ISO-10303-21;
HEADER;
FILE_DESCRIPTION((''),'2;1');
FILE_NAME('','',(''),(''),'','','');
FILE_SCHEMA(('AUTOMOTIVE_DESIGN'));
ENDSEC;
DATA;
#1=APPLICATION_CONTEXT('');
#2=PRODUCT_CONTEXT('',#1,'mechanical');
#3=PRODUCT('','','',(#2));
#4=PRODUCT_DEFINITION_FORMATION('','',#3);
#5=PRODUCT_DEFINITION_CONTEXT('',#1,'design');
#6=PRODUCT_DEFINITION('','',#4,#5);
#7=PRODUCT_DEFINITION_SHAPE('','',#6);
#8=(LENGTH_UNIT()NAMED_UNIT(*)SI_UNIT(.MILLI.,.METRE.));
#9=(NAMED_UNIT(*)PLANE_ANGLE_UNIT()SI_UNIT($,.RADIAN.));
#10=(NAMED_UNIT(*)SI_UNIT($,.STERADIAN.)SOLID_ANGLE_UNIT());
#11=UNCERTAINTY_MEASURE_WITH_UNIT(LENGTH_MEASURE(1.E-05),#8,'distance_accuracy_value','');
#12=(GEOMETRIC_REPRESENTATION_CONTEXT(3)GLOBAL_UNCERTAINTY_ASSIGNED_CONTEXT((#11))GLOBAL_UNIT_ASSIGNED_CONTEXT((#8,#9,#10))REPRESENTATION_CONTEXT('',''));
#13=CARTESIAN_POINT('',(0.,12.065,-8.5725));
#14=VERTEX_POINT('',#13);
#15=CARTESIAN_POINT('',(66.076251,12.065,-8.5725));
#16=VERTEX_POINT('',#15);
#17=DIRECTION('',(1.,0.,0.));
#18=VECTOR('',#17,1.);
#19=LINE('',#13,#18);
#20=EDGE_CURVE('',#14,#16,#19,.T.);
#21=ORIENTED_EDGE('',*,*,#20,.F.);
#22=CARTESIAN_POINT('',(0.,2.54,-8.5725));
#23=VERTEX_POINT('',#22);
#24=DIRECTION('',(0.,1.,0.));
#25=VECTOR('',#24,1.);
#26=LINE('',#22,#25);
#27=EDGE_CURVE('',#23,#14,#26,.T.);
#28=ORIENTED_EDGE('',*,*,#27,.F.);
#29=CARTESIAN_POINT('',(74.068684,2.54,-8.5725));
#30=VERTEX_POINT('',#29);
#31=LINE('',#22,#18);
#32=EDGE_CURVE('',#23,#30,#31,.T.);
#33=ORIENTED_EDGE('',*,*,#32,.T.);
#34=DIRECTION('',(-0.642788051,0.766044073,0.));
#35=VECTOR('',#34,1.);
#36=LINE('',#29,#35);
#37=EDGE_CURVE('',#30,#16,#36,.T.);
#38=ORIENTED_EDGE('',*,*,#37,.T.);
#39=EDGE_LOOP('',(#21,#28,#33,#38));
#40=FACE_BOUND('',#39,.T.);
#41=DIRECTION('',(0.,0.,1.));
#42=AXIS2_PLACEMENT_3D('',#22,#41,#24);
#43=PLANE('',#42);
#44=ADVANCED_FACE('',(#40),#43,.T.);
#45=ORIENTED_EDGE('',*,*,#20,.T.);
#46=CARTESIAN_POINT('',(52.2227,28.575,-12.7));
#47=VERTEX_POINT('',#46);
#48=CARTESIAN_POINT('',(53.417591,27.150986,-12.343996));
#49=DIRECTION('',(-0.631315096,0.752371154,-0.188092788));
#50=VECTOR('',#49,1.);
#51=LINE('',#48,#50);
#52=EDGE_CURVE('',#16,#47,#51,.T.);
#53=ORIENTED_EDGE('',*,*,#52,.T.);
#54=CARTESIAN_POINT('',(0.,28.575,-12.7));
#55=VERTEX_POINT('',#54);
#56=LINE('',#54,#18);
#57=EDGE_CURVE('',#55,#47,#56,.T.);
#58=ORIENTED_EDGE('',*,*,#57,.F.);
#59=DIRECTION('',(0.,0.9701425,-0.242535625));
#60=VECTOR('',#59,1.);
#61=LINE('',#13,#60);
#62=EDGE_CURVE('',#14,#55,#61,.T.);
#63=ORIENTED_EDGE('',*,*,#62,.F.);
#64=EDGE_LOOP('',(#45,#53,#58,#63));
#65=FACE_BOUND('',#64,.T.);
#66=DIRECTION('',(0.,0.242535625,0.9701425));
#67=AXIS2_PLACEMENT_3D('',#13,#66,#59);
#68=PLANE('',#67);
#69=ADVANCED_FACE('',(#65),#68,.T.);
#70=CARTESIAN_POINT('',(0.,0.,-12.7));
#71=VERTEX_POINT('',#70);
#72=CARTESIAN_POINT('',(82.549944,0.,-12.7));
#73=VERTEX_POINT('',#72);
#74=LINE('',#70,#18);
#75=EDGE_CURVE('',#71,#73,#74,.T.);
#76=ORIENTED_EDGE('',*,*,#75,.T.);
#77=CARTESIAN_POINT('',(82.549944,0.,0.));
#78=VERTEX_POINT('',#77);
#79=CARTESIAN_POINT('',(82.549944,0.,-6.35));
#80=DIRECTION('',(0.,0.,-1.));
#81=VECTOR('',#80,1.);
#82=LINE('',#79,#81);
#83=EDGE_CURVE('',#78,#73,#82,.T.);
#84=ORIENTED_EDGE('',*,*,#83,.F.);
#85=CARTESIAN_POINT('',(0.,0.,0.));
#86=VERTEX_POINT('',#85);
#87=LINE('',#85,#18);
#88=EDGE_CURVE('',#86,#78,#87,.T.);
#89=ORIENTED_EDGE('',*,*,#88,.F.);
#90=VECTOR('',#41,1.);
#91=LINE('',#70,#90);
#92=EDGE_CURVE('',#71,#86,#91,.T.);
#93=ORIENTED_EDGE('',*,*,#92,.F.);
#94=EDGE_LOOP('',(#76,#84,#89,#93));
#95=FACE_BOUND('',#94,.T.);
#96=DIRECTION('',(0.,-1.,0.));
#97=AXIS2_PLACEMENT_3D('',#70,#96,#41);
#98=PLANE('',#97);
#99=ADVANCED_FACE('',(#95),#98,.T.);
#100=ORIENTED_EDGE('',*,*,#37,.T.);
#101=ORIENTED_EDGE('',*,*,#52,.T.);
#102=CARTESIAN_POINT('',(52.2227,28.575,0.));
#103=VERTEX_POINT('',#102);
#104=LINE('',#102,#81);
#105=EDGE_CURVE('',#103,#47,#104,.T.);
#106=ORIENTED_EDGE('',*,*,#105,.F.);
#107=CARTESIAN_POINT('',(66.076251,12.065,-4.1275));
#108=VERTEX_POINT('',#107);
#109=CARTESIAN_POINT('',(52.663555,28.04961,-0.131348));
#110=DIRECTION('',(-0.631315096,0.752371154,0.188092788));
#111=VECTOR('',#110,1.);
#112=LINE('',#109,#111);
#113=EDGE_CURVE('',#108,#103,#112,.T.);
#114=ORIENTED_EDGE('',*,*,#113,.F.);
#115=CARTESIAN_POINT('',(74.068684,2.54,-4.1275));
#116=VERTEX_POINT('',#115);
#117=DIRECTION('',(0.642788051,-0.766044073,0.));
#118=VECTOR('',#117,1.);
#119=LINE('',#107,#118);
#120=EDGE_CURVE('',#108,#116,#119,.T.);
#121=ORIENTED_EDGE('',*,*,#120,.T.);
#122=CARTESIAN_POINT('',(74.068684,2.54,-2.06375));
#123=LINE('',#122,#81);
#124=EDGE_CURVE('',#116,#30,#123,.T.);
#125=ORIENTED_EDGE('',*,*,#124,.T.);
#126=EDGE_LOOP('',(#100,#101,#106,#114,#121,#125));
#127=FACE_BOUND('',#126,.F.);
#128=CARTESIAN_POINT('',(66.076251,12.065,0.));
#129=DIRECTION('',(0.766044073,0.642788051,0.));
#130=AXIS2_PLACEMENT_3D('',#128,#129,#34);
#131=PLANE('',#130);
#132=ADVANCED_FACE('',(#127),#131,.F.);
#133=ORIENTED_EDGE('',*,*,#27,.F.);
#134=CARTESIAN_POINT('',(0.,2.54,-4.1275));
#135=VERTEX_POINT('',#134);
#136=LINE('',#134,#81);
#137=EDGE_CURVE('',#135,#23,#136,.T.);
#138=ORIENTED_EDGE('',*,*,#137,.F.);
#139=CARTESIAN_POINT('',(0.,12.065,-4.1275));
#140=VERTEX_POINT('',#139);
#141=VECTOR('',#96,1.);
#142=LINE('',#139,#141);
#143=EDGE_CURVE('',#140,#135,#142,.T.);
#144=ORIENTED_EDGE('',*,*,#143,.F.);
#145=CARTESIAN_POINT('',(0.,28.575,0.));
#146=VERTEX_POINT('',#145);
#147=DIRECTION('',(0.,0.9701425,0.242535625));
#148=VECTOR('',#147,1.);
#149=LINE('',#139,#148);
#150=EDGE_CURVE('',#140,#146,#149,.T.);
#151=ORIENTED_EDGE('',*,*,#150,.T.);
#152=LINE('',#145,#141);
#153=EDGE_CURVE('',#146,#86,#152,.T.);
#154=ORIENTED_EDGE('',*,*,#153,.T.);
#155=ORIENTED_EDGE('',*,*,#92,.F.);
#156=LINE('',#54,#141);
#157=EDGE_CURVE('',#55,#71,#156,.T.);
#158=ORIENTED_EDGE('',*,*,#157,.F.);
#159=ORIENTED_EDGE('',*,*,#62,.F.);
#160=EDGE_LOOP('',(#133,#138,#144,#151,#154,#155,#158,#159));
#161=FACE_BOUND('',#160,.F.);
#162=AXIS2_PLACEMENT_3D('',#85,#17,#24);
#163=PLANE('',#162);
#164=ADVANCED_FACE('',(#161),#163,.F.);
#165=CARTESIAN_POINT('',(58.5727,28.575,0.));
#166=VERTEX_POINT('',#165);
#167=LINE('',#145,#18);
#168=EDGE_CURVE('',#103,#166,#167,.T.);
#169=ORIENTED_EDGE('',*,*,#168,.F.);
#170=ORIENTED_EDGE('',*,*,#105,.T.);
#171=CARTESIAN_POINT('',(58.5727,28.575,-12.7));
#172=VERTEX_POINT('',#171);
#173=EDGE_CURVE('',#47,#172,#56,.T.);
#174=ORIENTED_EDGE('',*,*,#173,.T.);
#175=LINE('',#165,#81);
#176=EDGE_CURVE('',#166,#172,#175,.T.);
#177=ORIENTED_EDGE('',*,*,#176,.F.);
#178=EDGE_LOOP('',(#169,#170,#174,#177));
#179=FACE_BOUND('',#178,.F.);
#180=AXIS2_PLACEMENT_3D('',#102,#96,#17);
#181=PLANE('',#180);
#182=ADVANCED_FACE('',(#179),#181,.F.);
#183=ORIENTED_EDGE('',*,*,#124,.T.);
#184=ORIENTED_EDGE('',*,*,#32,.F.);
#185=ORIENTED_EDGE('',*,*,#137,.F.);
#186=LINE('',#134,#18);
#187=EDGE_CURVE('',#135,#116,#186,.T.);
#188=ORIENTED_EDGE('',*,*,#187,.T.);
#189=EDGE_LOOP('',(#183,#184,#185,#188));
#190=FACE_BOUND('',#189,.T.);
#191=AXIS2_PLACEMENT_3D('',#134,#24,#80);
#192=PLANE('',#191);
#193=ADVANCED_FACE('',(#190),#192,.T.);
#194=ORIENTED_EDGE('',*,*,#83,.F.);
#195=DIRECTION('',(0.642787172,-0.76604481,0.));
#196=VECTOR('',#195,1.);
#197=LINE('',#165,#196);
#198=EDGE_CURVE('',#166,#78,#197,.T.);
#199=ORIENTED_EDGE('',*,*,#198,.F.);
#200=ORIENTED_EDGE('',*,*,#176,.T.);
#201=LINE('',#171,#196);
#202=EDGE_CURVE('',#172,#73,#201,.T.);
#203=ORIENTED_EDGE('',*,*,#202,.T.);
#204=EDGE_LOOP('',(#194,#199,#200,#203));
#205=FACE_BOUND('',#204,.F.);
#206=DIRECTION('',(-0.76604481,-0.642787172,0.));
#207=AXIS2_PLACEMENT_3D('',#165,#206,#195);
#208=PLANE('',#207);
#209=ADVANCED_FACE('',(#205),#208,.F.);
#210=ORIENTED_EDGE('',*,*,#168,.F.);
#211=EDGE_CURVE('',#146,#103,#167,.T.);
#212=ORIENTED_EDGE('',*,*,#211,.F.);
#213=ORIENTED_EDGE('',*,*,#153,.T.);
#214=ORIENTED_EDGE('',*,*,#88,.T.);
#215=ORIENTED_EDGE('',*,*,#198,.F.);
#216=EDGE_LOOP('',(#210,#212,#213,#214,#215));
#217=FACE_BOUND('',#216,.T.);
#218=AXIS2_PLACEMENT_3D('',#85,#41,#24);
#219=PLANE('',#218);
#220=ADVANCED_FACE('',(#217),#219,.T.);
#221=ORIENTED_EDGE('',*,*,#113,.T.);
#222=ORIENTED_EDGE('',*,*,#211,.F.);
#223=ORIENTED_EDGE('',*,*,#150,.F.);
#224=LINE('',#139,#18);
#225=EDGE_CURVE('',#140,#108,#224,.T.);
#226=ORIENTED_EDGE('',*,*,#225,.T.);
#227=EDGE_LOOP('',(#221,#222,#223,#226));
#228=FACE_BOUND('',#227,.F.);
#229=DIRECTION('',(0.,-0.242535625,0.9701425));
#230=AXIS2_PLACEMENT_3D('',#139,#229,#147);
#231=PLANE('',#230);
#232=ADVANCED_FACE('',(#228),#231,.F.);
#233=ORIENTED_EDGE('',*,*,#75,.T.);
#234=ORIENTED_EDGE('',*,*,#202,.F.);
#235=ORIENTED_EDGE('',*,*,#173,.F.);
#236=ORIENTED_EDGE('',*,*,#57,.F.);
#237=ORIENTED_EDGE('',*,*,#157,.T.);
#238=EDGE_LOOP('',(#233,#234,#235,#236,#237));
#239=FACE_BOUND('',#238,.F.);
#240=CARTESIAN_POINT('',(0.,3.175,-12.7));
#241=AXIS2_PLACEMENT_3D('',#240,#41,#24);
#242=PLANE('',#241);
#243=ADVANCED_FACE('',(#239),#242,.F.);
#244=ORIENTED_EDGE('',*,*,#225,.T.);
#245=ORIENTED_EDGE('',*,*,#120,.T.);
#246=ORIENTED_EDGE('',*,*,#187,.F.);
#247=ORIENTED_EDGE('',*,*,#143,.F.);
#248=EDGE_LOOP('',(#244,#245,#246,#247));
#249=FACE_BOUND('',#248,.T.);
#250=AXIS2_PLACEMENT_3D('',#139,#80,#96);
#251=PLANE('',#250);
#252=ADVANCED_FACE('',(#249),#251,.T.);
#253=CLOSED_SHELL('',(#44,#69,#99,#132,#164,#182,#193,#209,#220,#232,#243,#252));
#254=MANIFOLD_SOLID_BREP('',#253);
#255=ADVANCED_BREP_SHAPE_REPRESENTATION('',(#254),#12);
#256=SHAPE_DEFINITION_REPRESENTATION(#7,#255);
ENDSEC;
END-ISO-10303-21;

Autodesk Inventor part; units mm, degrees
ref_plane "YZ Plane" through (0, 0, 0) normal (1, 0, 0) x (0, 1, 0)
ref_plane "XZ Plane" through (0, 0, 0) normal (0, 1, 0) x (-1, 0, 0)
ref_plane "XY Plane" through (0, 0, 0) normal (0, 0, 1) x (1, 0, 0)
sketch "Sketch1" plane through (0, 0, 0) normal (1, 0, 0) x (0, 1, 0)
  line L0 (0, 0) -> (3.175, 0)
  line L1 (3.175, -12.7) -> (0, -12.7)
  line L2 (0, -12.7) -> (0, 0)
  line L3 (3.175, 0) -> (28.575, 0)
  line L4 (3.175, -12.7) -> (28.575, -12.7)
  line L5 (12.065, -4.1275) -> (28.575, 0)
  line L6 (12.065, -8.5725) -> (28.575, -12.7)
  line L7 (12.065, -4.1275) -> (3.175, -4.1275)
  line L8 (12.065, -8.5725) -> (3.175, -8.5725)
  line L9 (3.175, -4.1275) -> (2.54, -4.1275)
  line L10 (2.54, -4.1275) -> (2.54, -8.5725)
  line L11 (2.54, -8.5725) -> (3.175, -8.5725)
  dimension "d0" = 3.175
  dimension "d1" = 12.7
  dimension "d2" = 25.4
  dimension "d3" = 0.635
extrude "Extrusion1" add sketch "Sketch1" along normal blind 88.9
sketch "Sketch2" plane through (0, 0, 0) normal (0, 0, 1) x (1, 0, 0)
  line L0 (70.7723, 45.5937) -> (70.7723, 36.3388)
  line L1 (0, 12.065) -> (88.9, 12.065) projected
  line L2 (70.7723, 36.3388) -> (70.7723, 45.5937)
  line L3 (70.7723, 45.5937) -> (88.9, 45.5937)
  line L4 (88.9, 45.5937) -> (70.7723, 45.5937)
  line L5 (70.7723, 45.5937) -> (79.5643, 35.1158)
  line L6 (88.9, 12.065) -> (88.9, 28.575) projected
  line L7 (88.9, 28.575) -> (57.2257, 28.575)
  line L8 (0, 28.575) -> (88.9, 28.575) projected
  line L9 (88.9, 0) -> (76.2, 0)
  line L10 (0, 0) -> (88.9, 0) projected
  line L11 (76.2, 0) -> (52.2227, 28.575)
  line L12 (52.2227, 28.575) -> (52.2227, 24.9497)
  line L13 (0, 28.575) -> (0, 0) projected
  line L14 (0, 0) -> (88.9, 0) projected
  line L15 (88.9, 28.575) -> (88.9, 0) projected
  line L16 (0, 28.575) -> (88.9, 28.575) projected
  dimension "d6" = 40
  dimension "d8" = 12.7
  dimension "d9" = 40
extrude "Extrusion2" add sketch "Sketch2" against normal blind 12.7 contours L11 L8 L7 L6 L1 | L1 L15 L9 L11
sketch "Sketch3" plane through (0, 0, 0) normal (0, 0, 1) x (1, 0, 0)
  line L0 (0, 28.575) -> (52.2227, 28.575) projected
  line L1 (52.2227, 28.575) -> (58.5727, 28.575)
  line L2 (52.2227, 28.575) -> (88.9, 28.575) projected
  line L3 (52.2227, 28.575) -> (66.0763, 12.065) projected
  line L4 (58.5727, 28.575) -> (89.629, -8.4365)
  line L5 (58.5727, 28.575) -> (106.8878, 28.575) construction
  line L6 (89.629, -8.4365) -> (99.364, 12.7806)
  line L7 (99.364, 12.7806) -> (87.0878, 39.7231)
  line L8 (87.0878, 39.7231) -> (61.7749, 33.0961)
  line L9 (61.7749, 33.0961) -> (58.5727, 28.575)
  point P0 (0, 0)
  dimension "d12" = 6.35
  dimension "d13" = 50
extrude "Extrusion3" cut sketch "Sketch3" against normal blind 12.7
properties part number "edge holder tip"
